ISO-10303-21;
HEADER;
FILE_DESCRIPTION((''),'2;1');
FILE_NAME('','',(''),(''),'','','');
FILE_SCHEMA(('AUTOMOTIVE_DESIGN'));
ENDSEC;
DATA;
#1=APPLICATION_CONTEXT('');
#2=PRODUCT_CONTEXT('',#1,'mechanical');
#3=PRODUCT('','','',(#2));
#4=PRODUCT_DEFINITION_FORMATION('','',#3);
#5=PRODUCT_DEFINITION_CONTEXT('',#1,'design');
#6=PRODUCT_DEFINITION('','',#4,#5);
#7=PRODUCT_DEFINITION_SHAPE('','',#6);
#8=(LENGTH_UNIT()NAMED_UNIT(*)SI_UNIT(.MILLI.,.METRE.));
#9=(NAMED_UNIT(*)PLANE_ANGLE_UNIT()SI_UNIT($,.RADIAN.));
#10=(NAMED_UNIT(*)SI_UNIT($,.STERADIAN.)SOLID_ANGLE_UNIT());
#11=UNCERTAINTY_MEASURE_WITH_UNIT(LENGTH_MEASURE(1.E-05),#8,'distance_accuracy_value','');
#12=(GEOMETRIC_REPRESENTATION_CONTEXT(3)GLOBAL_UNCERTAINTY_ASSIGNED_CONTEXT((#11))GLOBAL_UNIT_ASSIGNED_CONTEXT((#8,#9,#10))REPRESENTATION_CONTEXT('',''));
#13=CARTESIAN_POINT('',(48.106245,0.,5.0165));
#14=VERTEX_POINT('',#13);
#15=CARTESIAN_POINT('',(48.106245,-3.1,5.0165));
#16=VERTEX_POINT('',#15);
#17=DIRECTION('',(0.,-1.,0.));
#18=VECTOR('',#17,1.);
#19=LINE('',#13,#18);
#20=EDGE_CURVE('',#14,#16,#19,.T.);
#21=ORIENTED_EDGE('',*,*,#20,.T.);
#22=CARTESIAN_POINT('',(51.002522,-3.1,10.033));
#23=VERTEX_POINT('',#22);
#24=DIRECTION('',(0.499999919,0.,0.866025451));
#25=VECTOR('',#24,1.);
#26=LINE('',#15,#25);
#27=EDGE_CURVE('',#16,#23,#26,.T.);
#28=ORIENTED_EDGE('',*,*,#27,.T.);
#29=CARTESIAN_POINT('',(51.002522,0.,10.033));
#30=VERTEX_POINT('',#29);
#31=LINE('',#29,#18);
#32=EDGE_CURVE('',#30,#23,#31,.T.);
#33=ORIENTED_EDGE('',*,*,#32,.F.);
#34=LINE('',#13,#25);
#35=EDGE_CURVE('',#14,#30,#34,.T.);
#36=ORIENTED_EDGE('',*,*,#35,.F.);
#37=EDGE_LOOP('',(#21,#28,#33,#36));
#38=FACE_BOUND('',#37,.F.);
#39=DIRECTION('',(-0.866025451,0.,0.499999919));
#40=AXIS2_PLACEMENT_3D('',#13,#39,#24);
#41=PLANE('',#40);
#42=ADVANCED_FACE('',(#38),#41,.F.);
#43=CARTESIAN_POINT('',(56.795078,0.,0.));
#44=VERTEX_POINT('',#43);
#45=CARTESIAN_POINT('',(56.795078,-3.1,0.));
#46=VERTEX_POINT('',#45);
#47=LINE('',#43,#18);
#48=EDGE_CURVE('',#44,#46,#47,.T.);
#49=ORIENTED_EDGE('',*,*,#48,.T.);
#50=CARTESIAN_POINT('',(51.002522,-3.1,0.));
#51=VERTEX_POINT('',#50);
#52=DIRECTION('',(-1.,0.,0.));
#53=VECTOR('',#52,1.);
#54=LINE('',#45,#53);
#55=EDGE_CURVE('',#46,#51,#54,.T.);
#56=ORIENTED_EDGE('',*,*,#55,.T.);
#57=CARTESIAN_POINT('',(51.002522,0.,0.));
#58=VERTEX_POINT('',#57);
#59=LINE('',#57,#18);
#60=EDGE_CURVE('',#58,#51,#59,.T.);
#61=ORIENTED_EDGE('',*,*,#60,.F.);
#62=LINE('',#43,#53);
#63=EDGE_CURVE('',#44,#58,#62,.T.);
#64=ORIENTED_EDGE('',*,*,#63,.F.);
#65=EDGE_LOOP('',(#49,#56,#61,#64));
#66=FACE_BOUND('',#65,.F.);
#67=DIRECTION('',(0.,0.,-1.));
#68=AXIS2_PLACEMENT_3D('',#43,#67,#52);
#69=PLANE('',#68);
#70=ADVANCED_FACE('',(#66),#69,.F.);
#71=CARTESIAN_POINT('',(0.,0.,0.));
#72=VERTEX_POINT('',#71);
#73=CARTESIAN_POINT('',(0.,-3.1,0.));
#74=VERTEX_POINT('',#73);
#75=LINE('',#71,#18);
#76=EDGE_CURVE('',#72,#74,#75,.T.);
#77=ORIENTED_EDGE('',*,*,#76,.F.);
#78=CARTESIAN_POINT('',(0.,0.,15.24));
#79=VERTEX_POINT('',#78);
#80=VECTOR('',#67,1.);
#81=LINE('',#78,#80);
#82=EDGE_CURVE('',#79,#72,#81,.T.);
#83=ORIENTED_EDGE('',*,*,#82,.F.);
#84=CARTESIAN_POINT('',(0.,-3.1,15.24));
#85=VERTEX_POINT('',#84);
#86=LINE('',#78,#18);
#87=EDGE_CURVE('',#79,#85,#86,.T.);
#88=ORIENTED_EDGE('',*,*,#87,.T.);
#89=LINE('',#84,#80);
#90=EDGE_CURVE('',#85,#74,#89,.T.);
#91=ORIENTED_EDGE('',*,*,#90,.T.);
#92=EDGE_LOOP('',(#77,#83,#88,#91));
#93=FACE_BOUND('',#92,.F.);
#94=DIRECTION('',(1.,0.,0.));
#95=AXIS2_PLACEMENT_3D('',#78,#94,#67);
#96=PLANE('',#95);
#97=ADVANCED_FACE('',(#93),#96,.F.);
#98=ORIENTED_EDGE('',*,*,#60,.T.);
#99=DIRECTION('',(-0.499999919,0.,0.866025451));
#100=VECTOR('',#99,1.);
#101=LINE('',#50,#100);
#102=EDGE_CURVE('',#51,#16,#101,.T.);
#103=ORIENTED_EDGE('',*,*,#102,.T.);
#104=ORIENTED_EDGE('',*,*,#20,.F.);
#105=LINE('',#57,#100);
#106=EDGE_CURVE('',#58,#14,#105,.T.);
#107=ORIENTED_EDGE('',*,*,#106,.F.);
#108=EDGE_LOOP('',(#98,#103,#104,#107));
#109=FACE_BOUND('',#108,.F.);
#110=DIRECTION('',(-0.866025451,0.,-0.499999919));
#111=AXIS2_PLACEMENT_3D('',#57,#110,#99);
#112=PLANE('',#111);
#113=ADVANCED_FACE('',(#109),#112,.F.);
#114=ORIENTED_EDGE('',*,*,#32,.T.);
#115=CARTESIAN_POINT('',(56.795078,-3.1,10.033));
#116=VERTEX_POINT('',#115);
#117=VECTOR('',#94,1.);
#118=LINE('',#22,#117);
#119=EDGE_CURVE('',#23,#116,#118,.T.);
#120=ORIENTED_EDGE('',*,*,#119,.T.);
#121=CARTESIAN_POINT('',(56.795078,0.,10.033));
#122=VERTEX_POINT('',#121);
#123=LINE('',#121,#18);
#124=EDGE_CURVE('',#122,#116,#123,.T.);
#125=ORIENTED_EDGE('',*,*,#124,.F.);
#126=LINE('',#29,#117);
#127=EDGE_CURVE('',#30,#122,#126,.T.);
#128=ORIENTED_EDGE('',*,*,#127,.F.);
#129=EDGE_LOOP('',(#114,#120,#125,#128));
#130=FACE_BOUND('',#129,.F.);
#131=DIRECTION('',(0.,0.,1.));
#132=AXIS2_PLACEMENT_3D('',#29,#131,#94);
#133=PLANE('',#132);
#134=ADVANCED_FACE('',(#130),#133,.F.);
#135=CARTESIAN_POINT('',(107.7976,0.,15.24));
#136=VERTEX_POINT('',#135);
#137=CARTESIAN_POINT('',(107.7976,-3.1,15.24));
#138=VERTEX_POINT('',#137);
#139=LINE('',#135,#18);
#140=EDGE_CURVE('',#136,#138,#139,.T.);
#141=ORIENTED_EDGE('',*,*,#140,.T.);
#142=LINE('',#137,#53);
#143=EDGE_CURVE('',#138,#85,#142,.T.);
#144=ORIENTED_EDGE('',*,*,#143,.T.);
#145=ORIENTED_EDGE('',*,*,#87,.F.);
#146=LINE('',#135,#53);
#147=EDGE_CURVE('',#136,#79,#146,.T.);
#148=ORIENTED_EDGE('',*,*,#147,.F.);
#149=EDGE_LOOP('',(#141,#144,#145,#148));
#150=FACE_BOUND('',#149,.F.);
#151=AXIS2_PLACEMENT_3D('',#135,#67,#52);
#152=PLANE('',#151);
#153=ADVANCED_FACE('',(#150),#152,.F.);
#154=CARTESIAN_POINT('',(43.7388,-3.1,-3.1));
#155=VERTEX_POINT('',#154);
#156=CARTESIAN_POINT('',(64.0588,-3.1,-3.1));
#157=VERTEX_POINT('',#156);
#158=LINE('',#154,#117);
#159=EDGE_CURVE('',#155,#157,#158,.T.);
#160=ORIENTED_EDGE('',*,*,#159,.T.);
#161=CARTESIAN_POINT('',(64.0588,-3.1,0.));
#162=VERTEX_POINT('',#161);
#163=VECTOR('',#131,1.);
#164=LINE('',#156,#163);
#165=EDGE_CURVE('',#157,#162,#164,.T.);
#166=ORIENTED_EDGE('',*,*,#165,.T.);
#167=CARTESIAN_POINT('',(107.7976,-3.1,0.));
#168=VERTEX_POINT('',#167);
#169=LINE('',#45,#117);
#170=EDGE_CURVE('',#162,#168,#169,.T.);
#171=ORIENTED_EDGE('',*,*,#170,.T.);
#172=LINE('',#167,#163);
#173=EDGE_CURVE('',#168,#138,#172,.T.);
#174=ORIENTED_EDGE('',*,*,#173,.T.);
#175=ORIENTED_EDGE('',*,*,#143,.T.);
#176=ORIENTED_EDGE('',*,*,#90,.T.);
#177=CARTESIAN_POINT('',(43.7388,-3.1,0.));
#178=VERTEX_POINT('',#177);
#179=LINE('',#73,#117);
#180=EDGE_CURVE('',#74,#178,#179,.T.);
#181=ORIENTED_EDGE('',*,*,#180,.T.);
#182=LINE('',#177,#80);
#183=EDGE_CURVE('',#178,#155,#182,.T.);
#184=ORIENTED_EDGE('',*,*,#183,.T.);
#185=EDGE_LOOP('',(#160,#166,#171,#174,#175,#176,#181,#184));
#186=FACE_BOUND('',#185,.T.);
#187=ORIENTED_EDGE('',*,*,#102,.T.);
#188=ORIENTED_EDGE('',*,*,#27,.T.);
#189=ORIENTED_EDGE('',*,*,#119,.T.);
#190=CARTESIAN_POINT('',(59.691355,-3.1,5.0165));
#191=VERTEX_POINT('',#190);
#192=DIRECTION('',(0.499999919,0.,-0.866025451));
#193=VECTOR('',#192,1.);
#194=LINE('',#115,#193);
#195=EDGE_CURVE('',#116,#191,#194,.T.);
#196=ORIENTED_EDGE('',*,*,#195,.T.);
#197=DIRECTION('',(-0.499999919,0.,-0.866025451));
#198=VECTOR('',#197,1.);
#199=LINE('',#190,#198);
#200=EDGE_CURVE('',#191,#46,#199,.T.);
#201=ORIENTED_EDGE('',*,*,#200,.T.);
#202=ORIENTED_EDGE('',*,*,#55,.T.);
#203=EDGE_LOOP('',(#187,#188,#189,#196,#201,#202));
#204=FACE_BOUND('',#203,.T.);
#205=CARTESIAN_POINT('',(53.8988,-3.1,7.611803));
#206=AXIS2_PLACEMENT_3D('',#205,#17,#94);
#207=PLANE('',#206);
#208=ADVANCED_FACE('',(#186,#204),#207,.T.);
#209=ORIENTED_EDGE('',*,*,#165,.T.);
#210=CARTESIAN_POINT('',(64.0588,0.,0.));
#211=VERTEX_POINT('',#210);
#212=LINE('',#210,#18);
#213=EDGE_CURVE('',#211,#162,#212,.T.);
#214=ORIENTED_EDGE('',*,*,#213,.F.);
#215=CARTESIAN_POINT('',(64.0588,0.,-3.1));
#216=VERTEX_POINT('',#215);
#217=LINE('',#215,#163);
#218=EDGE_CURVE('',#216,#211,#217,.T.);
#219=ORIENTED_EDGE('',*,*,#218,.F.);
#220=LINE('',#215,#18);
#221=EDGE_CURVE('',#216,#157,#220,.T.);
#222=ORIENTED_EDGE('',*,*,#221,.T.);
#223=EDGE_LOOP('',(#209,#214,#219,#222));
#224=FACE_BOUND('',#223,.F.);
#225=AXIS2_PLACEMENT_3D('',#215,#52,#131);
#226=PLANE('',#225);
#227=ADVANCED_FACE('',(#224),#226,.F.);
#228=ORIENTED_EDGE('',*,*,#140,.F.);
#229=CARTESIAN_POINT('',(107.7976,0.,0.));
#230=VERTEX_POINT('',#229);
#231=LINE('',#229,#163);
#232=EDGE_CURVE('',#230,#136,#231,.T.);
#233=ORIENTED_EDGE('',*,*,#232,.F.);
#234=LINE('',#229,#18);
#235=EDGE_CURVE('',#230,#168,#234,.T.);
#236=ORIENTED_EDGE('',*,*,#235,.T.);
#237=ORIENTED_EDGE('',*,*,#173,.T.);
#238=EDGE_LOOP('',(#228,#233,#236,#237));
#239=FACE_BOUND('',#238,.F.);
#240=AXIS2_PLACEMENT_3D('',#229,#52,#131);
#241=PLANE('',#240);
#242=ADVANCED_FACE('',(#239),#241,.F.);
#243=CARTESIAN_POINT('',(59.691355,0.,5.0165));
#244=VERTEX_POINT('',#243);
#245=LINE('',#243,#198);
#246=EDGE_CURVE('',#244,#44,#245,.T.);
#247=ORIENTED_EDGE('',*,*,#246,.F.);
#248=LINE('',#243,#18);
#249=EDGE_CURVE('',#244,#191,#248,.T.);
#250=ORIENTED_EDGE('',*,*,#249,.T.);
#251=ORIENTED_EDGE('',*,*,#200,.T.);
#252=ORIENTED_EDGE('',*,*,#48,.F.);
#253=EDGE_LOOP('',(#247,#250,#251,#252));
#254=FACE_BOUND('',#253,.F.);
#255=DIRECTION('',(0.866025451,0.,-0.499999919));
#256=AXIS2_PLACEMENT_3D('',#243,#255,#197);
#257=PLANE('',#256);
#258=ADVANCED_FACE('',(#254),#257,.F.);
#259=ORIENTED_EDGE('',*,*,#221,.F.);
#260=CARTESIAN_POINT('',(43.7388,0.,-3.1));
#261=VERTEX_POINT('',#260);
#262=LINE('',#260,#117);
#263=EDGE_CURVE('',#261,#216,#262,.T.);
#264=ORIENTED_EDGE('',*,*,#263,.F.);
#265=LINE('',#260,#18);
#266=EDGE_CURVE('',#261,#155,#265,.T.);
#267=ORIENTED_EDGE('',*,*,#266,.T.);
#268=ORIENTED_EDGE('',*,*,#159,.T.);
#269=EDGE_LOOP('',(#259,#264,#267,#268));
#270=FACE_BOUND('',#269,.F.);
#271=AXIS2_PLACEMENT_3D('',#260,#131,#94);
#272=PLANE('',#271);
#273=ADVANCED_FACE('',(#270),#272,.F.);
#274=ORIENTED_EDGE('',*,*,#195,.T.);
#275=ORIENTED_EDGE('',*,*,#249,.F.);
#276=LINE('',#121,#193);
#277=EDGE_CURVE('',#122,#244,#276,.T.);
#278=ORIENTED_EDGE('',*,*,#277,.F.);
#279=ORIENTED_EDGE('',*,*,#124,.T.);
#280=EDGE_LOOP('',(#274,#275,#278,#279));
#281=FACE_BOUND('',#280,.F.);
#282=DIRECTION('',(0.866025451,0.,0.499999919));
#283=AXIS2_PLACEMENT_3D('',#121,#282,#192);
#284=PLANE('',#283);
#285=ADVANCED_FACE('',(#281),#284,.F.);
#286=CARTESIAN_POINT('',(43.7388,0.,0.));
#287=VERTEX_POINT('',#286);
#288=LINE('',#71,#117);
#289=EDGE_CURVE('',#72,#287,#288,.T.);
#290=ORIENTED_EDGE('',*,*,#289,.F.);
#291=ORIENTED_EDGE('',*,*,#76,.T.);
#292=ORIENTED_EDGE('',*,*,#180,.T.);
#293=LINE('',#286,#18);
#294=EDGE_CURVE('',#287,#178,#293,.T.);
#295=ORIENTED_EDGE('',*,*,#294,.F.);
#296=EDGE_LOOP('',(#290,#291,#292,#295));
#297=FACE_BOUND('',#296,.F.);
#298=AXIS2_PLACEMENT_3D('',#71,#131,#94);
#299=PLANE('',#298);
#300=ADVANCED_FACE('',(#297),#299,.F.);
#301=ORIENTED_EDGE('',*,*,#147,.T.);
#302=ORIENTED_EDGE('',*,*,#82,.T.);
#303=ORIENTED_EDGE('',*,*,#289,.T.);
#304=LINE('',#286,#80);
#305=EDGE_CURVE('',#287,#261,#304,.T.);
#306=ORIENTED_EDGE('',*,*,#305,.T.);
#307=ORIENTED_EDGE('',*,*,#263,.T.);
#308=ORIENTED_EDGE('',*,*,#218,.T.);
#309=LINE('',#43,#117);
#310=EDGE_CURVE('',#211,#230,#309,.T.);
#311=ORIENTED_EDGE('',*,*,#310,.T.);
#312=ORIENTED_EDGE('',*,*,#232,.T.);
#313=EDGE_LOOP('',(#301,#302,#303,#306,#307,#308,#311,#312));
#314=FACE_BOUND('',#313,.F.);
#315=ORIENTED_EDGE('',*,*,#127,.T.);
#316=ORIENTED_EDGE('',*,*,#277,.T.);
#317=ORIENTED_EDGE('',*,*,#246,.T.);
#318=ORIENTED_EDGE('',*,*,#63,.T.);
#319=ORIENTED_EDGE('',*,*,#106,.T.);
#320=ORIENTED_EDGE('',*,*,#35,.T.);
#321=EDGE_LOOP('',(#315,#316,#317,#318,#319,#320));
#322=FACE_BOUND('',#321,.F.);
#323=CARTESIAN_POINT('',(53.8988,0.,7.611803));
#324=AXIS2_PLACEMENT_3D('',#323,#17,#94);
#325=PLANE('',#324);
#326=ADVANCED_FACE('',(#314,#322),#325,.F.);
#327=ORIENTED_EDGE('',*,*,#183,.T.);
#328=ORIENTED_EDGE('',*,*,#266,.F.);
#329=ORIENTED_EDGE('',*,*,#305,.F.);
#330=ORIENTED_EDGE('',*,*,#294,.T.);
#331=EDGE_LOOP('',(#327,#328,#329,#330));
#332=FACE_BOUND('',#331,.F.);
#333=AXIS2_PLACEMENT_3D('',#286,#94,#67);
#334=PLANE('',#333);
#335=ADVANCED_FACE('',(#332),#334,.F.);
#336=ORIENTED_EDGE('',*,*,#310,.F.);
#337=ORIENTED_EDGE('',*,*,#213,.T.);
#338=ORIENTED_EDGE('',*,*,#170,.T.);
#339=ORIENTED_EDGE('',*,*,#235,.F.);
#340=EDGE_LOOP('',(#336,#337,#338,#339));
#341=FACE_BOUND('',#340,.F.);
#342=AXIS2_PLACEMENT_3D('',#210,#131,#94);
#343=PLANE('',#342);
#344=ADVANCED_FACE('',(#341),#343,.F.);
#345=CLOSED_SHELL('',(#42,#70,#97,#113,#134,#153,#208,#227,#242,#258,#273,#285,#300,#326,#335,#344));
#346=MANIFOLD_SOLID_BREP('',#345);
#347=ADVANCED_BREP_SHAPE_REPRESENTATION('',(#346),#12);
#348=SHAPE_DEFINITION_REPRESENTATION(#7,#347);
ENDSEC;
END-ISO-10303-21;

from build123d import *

# Parameters (mm, degrees)
F1_DEPTH = 3.1


with BuildPart() as f1:
    # F0 (on Front) → F1 (new body)
    with BuildSketch(Plane.XZ):
        Polygon((0, 15.24), (0, 0), (43.7388, 0), (51.002522, 0), (48.106245, 5.0165), (51.002522, 10.033), (56.795078, 10.033), (59.691355, 5.0165), (56.795078, 0), (64.0588, 0), (107.7976, 0), (107.7976, 15.24), align=None)
        Polygon((51.002522, 0), (43.7388, 0), (43.7388, -3.1), (64.0588, -3.1), (64.0588, 0), (56.795078, 0), (53.8988, 0), align=None)
    extrude(amount=F1_DEPTH)


solid = f1.part
